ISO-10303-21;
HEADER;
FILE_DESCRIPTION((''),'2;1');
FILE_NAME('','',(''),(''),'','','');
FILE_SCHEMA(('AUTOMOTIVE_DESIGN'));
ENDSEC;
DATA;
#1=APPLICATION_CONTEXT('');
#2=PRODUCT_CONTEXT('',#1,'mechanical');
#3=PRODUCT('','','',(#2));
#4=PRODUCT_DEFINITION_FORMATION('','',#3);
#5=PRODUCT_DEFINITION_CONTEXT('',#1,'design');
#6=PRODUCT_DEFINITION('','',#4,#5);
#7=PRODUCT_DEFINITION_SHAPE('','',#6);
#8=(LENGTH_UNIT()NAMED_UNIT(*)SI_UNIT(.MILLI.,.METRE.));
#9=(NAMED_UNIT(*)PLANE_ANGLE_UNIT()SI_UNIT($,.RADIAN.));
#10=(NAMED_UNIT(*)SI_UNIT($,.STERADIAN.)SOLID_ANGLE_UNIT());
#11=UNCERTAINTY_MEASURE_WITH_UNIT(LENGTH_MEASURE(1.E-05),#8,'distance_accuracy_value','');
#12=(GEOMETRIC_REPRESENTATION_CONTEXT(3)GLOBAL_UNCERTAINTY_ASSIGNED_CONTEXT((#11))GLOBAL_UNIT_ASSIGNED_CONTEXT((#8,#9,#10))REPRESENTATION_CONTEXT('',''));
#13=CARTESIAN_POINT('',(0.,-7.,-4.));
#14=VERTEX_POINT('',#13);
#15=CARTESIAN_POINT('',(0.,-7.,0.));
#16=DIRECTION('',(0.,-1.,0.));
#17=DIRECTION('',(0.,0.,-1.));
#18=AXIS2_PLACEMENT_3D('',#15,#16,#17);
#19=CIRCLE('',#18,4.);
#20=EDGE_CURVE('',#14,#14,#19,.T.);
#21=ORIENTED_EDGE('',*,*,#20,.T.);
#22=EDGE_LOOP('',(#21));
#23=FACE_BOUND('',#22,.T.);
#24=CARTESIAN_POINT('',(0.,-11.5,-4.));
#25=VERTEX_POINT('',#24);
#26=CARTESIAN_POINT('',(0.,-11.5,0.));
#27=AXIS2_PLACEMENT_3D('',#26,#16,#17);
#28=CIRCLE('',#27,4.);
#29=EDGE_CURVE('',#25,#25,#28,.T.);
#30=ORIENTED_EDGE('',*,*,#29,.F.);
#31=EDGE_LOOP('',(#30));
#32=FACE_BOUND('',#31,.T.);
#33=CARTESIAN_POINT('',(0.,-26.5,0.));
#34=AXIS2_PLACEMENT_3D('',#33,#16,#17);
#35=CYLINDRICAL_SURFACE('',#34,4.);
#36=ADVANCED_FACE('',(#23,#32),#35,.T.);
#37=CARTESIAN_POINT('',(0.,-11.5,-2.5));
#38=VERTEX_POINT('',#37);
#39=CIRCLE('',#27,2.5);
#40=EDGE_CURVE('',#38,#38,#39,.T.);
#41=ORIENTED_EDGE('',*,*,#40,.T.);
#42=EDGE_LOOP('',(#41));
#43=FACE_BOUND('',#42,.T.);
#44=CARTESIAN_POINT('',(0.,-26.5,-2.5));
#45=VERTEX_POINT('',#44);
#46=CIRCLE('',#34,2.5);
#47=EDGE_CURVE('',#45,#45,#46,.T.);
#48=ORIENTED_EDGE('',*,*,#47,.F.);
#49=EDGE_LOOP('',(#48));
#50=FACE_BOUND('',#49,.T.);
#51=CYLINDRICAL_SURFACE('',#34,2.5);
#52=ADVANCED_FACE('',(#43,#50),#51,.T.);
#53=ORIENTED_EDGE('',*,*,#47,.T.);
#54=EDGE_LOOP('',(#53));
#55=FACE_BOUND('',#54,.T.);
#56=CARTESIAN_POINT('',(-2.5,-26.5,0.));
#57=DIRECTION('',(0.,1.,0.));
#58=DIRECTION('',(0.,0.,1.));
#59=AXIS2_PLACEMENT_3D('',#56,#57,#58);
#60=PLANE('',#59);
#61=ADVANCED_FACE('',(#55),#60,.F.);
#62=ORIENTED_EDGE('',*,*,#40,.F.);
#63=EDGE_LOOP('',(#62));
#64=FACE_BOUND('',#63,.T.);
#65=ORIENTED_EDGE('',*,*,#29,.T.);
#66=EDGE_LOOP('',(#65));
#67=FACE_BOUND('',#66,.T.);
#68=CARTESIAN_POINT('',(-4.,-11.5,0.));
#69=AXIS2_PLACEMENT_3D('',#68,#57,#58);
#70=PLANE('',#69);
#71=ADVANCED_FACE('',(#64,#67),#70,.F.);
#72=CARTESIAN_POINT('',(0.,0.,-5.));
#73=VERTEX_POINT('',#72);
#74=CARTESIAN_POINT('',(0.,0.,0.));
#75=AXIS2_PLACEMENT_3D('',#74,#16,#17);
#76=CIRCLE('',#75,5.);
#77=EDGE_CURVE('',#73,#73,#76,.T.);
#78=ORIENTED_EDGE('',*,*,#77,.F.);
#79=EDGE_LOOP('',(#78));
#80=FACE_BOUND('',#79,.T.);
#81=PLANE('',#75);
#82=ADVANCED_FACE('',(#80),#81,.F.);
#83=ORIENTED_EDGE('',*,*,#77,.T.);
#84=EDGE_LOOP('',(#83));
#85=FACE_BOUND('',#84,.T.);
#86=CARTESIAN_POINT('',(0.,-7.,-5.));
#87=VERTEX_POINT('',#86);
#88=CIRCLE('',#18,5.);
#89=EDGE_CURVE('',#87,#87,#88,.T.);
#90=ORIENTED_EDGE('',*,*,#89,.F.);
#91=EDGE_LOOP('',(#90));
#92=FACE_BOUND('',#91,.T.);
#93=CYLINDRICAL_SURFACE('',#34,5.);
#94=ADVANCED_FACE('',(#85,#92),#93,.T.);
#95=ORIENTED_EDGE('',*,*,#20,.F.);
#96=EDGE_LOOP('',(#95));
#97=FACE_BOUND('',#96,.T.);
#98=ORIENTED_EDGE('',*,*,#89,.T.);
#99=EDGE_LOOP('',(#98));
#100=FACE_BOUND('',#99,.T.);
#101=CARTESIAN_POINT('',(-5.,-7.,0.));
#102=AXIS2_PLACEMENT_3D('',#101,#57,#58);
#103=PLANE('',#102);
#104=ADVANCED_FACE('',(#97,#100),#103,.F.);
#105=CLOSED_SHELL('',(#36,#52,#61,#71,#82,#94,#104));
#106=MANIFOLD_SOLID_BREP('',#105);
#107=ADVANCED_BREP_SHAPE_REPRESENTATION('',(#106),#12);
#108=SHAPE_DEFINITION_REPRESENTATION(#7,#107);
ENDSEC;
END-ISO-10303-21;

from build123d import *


with BuildPart() as part:
    # Sketch2 → Revolve1 (revolve)
    with BuildSketch(Plane.XY):
        Polygon((0, 0), (-5, 0), (-5, -7), (-4, -7), (-4, -11.5), (-2.5, -11.5), (-2.5, -26.5), (0, -26.5), align=None)
    revolve(axis=Axis((0, -26.5, 0), (0, 1, 0)))


solid = part.part
